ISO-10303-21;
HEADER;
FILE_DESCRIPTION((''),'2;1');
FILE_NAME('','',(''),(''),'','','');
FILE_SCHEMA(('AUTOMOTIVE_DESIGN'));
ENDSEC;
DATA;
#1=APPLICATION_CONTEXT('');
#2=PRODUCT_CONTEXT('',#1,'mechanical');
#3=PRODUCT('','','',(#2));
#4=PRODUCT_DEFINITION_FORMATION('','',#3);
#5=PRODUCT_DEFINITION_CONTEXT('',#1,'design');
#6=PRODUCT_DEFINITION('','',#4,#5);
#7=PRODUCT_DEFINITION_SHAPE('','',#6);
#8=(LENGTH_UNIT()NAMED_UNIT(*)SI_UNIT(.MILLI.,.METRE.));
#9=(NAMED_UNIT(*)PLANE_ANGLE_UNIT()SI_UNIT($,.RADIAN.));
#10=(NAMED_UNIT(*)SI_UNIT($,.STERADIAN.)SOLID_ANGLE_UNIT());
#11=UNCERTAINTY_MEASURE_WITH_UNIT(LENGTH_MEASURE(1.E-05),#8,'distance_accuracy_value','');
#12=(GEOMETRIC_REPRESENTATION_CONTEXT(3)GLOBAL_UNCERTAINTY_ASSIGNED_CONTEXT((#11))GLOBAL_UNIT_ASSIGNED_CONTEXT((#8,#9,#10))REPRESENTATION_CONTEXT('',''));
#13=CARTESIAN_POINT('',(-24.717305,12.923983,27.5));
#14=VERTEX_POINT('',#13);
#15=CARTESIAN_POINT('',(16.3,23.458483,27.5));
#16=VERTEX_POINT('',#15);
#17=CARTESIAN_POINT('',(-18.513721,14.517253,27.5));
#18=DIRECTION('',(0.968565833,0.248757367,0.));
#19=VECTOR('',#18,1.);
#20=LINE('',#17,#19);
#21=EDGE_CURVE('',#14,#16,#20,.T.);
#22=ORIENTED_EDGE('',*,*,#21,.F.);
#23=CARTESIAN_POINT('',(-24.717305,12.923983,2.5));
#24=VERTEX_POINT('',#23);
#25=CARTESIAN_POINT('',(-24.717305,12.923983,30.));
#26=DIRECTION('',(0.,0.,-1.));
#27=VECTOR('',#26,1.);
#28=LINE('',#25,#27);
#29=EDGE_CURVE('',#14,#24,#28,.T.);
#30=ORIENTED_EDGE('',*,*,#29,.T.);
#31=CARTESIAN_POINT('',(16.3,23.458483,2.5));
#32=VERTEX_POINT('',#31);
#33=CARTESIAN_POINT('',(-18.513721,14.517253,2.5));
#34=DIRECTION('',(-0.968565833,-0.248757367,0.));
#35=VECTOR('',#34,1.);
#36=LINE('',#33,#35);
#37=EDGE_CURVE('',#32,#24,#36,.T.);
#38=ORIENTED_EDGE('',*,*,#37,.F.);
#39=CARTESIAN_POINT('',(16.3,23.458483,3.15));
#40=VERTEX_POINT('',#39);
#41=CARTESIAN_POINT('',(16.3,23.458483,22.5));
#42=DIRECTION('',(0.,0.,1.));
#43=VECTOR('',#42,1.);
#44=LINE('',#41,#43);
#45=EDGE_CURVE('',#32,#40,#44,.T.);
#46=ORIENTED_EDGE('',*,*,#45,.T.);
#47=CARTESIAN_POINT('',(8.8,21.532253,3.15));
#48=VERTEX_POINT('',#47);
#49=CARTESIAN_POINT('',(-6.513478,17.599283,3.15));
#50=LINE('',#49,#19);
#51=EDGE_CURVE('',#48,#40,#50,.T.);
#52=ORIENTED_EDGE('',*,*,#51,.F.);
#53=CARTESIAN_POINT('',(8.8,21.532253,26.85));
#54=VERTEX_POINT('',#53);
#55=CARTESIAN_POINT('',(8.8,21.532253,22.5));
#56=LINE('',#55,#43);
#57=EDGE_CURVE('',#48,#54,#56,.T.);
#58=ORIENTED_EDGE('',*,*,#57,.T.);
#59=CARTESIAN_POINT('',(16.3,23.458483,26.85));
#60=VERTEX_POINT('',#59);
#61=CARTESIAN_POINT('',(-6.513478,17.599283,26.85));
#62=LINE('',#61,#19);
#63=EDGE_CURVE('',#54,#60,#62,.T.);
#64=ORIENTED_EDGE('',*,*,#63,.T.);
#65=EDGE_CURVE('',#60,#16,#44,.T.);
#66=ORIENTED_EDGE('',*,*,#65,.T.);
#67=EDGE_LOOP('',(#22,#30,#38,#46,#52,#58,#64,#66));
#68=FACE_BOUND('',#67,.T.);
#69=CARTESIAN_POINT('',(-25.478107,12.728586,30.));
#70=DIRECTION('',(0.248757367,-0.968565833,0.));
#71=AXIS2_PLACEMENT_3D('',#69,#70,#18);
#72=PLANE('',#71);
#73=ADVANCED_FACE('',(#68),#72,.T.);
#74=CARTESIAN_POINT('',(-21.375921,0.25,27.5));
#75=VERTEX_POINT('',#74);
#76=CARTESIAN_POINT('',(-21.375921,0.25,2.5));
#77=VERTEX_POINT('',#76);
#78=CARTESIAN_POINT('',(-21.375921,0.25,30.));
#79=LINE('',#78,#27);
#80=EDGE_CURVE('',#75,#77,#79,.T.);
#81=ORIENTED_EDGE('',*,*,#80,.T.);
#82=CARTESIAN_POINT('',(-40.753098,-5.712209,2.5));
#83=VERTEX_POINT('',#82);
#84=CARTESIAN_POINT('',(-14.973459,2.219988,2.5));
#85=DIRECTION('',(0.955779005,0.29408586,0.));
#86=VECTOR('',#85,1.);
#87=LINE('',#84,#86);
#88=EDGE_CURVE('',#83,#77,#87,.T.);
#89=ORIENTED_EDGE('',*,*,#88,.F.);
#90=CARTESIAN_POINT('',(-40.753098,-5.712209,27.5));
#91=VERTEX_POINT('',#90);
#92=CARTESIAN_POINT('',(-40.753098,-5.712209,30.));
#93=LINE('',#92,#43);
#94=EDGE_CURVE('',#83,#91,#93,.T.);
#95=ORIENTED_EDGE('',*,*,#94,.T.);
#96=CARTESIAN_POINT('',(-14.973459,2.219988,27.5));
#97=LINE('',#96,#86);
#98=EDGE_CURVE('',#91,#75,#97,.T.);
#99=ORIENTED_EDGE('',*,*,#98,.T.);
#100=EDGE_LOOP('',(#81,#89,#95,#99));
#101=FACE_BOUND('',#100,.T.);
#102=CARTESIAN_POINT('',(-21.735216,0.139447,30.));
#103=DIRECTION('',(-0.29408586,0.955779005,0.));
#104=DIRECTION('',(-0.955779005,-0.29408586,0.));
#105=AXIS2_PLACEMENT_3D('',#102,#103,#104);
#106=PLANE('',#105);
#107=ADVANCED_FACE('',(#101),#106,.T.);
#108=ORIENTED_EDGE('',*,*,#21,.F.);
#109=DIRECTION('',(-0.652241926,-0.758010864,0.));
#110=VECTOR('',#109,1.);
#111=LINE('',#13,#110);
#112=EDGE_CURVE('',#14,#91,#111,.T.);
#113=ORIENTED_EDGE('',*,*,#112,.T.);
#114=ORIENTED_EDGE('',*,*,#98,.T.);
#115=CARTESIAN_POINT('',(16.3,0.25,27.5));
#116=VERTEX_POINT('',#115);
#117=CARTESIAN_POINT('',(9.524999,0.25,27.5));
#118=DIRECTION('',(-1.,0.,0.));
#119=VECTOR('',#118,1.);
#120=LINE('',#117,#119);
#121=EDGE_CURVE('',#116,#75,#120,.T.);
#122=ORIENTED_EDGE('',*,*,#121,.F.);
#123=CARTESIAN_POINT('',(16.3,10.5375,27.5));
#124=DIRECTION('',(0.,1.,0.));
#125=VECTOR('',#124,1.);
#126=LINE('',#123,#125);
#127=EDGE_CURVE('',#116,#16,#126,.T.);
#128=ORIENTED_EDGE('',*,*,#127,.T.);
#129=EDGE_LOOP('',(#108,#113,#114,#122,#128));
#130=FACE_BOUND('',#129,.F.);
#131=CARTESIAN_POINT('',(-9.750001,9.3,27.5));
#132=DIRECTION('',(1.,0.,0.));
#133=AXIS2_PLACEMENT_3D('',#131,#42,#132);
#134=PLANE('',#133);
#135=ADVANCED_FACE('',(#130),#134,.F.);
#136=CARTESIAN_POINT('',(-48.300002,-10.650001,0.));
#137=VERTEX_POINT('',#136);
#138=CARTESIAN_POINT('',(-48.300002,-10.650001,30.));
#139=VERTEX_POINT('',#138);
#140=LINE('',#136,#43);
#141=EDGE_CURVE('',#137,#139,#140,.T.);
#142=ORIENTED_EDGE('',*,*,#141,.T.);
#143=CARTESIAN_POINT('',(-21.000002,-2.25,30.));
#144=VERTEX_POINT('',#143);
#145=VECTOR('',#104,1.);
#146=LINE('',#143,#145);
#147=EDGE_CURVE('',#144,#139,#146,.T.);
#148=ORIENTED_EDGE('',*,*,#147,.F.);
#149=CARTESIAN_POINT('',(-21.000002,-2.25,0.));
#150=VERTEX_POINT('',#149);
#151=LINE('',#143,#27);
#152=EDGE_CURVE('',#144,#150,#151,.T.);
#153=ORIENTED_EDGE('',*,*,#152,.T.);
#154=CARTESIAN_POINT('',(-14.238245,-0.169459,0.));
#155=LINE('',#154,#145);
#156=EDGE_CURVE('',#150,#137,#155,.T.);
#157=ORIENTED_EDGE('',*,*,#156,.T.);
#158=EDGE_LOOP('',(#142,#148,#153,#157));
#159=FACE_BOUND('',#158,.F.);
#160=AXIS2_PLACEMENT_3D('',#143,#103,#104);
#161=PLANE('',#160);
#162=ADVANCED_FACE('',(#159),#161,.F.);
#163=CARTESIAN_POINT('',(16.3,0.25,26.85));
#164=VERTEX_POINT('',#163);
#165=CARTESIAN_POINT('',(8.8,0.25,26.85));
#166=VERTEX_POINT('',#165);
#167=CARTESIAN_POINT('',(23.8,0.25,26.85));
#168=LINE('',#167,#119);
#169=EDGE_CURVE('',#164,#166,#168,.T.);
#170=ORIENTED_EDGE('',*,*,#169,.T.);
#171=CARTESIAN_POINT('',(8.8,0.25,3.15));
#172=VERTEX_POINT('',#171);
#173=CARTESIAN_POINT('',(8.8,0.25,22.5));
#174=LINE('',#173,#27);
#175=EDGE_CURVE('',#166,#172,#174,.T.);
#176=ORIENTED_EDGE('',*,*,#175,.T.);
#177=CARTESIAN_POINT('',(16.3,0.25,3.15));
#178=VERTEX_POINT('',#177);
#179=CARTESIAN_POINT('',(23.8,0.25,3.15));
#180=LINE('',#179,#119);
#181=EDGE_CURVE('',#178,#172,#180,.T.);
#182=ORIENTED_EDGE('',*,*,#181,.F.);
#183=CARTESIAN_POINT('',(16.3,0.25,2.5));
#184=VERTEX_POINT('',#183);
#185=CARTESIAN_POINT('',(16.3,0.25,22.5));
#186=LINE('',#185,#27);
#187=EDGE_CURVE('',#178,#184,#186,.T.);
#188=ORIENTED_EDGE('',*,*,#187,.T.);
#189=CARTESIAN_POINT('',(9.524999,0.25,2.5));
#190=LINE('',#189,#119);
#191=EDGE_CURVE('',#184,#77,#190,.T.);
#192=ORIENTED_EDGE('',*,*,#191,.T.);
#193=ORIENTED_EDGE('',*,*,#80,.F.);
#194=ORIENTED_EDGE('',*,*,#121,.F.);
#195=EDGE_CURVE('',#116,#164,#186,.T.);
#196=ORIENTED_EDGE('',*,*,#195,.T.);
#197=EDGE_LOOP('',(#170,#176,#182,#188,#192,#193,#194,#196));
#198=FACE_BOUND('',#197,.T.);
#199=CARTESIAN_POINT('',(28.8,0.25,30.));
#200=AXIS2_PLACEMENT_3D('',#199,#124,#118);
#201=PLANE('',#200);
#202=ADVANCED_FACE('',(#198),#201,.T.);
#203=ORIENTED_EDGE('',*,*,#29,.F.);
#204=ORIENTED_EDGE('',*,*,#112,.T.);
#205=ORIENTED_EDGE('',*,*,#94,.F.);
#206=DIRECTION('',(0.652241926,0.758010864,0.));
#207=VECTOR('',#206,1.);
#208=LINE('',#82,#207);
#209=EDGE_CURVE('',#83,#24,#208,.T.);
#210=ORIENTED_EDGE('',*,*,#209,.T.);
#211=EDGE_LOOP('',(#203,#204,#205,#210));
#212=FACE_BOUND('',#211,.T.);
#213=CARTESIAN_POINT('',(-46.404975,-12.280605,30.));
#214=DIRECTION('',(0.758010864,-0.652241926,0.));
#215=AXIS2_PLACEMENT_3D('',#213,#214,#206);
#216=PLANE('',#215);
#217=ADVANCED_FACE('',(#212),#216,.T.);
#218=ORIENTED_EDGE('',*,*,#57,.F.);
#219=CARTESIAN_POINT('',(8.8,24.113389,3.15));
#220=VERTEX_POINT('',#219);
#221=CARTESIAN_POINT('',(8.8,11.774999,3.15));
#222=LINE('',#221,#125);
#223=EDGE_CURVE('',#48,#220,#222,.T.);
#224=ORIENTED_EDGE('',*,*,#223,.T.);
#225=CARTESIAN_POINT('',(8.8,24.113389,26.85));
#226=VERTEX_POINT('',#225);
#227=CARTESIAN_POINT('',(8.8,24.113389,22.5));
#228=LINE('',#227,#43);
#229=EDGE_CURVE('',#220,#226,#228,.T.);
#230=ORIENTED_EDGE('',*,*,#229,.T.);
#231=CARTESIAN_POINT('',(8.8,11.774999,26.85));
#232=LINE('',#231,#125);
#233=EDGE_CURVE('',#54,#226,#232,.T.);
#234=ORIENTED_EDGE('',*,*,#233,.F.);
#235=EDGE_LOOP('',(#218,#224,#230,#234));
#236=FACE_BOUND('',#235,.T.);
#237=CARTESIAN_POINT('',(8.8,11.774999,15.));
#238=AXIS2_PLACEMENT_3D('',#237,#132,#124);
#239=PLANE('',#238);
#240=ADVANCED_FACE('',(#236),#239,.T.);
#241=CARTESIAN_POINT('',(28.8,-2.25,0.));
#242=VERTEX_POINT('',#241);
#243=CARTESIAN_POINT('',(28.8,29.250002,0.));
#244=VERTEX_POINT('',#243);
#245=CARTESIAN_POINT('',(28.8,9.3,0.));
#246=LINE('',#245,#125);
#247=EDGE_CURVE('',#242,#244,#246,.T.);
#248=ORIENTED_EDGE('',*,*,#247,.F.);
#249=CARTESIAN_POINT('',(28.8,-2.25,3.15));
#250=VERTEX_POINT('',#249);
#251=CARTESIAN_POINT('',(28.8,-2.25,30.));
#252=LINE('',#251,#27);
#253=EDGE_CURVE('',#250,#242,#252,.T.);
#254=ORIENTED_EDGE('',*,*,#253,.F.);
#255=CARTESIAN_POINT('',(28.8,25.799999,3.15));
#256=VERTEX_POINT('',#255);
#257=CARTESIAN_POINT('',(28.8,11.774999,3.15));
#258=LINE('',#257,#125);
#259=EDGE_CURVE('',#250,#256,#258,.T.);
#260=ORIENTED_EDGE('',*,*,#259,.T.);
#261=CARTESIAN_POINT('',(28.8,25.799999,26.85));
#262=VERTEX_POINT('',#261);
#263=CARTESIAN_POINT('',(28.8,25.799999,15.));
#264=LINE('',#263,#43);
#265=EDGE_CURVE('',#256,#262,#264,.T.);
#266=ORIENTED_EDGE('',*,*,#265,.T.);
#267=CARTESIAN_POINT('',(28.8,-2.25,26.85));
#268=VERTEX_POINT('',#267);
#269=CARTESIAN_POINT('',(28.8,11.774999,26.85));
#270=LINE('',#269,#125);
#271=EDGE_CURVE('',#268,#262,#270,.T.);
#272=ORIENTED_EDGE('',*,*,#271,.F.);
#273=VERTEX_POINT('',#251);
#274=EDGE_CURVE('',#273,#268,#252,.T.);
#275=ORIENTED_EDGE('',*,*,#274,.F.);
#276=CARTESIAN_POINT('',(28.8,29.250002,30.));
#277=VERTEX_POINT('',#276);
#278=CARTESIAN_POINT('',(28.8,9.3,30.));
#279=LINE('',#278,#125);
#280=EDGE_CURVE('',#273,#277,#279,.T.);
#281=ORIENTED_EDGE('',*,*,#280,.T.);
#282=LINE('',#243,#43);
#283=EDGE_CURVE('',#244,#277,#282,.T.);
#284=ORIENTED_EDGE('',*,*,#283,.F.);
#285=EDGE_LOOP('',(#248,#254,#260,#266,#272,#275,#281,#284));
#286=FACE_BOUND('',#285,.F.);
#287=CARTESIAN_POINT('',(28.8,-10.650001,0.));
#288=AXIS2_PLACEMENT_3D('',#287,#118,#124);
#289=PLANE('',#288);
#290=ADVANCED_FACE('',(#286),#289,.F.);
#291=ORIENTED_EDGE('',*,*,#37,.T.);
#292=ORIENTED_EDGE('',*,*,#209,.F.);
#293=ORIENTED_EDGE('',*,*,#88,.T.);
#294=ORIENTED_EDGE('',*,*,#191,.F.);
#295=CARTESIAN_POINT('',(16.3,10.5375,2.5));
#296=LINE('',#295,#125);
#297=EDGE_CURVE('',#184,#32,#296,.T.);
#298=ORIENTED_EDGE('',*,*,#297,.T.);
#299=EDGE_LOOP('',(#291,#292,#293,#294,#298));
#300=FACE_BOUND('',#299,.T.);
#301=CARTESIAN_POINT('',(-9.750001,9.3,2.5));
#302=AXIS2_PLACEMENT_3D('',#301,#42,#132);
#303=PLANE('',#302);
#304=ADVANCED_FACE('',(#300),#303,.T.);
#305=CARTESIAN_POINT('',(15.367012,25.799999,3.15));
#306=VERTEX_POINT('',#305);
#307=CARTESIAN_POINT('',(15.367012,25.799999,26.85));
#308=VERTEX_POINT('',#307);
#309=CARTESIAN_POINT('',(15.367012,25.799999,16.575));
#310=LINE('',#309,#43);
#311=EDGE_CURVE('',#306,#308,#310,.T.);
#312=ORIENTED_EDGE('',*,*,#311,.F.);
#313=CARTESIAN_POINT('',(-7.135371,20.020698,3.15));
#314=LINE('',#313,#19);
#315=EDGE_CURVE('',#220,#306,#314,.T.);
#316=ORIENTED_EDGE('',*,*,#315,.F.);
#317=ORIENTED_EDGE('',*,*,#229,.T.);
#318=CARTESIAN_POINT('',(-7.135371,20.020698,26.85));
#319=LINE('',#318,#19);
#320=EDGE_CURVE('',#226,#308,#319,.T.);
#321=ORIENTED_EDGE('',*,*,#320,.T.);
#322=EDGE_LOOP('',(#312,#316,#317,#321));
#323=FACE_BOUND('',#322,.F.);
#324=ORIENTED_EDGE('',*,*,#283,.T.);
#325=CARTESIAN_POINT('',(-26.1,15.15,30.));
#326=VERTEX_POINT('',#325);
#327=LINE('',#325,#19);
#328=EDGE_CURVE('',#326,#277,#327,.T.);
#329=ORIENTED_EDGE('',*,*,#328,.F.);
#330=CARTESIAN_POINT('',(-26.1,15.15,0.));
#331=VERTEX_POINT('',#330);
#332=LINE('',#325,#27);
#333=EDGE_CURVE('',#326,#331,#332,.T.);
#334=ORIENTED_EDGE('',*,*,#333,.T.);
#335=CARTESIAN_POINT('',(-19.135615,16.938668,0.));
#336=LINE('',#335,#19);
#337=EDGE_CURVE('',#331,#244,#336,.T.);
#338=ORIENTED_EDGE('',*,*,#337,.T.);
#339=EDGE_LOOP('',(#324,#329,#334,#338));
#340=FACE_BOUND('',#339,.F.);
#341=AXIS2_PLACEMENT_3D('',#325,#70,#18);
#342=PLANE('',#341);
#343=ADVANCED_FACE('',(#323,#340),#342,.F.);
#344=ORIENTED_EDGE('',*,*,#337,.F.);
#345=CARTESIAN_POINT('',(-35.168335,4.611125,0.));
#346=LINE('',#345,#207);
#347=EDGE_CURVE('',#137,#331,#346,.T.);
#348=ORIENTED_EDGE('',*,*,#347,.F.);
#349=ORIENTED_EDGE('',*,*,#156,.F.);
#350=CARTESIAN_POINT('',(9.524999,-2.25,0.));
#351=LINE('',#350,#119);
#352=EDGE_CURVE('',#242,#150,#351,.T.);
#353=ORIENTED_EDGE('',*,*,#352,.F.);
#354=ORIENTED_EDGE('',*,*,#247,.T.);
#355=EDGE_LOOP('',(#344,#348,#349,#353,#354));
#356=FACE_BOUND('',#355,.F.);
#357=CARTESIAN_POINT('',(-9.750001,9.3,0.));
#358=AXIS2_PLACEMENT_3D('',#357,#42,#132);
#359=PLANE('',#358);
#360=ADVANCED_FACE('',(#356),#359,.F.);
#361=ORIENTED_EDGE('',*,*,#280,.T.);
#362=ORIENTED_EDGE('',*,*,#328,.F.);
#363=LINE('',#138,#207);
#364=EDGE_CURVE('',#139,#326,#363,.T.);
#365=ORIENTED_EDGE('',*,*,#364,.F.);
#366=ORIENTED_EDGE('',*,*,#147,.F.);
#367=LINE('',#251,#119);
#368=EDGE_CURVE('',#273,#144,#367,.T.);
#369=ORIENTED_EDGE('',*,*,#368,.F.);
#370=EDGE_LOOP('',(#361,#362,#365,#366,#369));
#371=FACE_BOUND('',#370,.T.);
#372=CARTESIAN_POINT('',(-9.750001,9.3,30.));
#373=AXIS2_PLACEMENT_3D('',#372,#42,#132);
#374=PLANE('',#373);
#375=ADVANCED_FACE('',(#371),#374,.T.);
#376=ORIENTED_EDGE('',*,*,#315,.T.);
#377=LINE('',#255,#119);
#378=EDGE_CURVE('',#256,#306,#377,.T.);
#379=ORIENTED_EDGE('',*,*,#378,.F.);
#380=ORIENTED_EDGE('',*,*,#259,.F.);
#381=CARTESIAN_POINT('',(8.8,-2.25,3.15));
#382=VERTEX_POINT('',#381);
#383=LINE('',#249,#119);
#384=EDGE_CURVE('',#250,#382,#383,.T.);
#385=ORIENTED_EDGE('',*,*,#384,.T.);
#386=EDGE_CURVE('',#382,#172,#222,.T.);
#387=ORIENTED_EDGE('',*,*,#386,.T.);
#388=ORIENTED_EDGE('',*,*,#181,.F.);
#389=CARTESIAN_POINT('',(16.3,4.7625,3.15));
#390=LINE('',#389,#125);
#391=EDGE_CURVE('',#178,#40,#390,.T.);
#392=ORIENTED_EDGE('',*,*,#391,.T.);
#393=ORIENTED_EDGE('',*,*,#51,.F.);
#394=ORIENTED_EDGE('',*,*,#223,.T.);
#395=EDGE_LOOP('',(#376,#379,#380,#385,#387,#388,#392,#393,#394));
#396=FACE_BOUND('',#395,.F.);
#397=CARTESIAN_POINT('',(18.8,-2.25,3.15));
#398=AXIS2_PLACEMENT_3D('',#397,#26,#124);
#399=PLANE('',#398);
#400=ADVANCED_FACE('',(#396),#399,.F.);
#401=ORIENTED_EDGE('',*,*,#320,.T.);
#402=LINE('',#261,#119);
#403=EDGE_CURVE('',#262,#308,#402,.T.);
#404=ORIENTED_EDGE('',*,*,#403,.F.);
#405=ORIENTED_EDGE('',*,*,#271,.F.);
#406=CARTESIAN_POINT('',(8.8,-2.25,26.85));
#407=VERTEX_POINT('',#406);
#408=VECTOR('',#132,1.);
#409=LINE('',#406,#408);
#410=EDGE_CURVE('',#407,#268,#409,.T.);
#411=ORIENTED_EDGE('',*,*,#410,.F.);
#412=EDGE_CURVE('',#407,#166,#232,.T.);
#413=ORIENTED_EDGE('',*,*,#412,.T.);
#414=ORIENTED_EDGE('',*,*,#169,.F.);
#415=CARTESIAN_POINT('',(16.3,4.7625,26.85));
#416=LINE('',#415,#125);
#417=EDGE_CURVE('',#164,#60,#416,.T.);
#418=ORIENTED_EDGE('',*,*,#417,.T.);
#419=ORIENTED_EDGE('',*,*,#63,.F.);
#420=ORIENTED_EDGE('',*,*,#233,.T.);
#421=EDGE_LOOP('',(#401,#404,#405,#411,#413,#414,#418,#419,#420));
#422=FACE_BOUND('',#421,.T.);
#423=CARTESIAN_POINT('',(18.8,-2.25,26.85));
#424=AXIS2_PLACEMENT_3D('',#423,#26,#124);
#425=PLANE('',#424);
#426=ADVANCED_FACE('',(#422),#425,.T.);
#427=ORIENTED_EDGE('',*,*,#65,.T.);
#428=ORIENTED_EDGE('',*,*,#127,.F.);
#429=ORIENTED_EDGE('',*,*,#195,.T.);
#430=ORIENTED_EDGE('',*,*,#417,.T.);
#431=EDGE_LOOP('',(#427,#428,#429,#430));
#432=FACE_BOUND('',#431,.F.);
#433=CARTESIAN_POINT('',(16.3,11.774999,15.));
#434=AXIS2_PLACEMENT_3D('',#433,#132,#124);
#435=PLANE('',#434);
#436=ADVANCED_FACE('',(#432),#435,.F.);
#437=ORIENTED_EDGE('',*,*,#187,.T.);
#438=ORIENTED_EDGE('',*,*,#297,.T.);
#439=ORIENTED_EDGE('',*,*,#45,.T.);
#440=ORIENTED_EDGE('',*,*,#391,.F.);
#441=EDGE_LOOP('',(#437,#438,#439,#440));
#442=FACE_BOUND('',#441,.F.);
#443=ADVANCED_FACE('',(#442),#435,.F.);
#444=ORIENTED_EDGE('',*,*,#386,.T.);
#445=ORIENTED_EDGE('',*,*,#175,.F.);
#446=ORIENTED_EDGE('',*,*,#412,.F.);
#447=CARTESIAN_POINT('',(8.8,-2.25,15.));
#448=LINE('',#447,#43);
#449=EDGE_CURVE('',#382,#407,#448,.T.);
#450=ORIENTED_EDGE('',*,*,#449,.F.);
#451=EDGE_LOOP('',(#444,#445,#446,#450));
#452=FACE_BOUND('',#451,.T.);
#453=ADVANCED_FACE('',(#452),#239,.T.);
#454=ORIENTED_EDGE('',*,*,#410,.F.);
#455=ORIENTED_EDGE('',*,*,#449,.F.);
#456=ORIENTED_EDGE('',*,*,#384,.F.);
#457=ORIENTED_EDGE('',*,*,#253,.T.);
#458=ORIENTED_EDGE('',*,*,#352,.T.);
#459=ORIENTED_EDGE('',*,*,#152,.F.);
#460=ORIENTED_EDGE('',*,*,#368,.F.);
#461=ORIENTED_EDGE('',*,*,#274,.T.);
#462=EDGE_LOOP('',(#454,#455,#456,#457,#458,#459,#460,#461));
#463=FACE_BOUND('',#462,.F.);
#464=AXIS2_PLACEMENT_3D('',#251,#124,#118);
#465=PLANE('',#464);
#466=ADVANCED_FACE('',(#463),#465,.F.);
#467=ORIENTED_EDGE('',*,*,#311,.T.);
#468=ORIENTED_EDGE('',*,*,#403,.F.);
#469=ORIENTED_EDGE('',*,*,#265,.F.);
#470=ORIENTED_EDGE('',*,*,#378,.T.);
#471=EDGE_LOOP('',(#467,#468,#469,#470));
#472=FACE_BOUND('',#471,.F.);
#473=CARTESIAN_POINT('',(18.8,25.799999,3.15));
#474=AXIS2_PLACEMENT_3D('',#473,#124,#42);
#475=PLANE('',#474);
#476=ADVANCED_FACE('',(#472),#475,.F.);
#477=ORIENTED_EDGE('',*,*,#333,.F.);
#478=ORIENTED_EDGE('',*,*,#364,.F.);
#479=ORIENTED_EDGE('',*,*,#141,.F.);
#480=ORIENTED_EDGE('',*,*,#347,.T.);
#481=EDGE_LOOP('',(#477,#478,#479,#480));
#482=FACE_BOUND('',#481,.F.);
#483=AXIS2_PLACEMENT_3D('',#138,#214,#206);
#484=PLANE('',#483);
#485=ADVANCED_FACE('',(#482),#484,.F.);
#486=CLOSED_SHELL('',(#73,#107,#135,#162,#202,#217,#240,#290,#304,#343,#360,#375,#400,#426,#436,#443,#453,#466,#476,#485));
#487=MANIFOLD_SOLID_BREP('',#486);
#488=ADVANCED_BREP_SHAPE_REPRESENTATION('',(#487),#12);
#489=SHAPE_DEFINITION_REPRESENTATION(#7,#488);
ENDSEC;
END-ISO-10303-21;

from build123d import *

# Parameters (mm, degrees)
F0_W     = 77.1000012755
F0_H     = 39.9000020698
F1_DEPTH = 30
F3_DEPTH = 30.001
F4_W     = 28.0499991495
F4_H     = 23.7000000197
F5_DEPTH = 10
F6_T     = -2.5
F7_DEPTH = 10


with BuildPart() as f1:
    # F0 (on Top) → F1 (new body)
    with BuildSketch(Plane.XY):
        with Locations((-9.7500011325, 9.3000004999)):
            Rectangle(F0_W, F0_H)
    extrude(amount=F1_DEPTH)

    # F2 (on face) → F3 (cut, through all)
    with BuildSketch(Plane.XY.offset(30)):
        Polygon((-48.3000017703, 29.2500015348), (-48.3000017703, -10.650000535), (-26.1000003666, 15.1500003412), (28.7999995053, 29.2500015348), align=None)
        Polygon((-21.0000015795, -2.250000136), (-48.3000017703, -10.650000535), (28.7999995053, -10.650000535), (28.7999995053, -2.250000136), align=None)
    extrude(amount=-F3_DEPTH, mode=Mode.SUBTRACT)

    # F4 (on face) → F5 (cut)
    with BuildSketch(Plane.YZ.offset(28.7999995053)):
        with Locations((11.7749994388, 15.000000014)):
            Rectangle(F4_W, F4_H)
    extrude(amount=-F5_DEPTH, mode=Mode.SUBTRACT)

    # F6 (hollow: no face is removed)
    offset(amount=F6_T, kind=Kind.INTERSECTION, mode=Mode.SUBTRACT)

    # F7 (cut): a face of the model
    f7_faces = [f1.faces().sort_by_distance(p)[0] for p in [
        (18.7999995053, 11.7749994388, 15.000000014),
    ]]
    extrude(f7_faces, amount=-F7_DEPTH, mode=Mode.SUBTRACT)


solid = f1.part
